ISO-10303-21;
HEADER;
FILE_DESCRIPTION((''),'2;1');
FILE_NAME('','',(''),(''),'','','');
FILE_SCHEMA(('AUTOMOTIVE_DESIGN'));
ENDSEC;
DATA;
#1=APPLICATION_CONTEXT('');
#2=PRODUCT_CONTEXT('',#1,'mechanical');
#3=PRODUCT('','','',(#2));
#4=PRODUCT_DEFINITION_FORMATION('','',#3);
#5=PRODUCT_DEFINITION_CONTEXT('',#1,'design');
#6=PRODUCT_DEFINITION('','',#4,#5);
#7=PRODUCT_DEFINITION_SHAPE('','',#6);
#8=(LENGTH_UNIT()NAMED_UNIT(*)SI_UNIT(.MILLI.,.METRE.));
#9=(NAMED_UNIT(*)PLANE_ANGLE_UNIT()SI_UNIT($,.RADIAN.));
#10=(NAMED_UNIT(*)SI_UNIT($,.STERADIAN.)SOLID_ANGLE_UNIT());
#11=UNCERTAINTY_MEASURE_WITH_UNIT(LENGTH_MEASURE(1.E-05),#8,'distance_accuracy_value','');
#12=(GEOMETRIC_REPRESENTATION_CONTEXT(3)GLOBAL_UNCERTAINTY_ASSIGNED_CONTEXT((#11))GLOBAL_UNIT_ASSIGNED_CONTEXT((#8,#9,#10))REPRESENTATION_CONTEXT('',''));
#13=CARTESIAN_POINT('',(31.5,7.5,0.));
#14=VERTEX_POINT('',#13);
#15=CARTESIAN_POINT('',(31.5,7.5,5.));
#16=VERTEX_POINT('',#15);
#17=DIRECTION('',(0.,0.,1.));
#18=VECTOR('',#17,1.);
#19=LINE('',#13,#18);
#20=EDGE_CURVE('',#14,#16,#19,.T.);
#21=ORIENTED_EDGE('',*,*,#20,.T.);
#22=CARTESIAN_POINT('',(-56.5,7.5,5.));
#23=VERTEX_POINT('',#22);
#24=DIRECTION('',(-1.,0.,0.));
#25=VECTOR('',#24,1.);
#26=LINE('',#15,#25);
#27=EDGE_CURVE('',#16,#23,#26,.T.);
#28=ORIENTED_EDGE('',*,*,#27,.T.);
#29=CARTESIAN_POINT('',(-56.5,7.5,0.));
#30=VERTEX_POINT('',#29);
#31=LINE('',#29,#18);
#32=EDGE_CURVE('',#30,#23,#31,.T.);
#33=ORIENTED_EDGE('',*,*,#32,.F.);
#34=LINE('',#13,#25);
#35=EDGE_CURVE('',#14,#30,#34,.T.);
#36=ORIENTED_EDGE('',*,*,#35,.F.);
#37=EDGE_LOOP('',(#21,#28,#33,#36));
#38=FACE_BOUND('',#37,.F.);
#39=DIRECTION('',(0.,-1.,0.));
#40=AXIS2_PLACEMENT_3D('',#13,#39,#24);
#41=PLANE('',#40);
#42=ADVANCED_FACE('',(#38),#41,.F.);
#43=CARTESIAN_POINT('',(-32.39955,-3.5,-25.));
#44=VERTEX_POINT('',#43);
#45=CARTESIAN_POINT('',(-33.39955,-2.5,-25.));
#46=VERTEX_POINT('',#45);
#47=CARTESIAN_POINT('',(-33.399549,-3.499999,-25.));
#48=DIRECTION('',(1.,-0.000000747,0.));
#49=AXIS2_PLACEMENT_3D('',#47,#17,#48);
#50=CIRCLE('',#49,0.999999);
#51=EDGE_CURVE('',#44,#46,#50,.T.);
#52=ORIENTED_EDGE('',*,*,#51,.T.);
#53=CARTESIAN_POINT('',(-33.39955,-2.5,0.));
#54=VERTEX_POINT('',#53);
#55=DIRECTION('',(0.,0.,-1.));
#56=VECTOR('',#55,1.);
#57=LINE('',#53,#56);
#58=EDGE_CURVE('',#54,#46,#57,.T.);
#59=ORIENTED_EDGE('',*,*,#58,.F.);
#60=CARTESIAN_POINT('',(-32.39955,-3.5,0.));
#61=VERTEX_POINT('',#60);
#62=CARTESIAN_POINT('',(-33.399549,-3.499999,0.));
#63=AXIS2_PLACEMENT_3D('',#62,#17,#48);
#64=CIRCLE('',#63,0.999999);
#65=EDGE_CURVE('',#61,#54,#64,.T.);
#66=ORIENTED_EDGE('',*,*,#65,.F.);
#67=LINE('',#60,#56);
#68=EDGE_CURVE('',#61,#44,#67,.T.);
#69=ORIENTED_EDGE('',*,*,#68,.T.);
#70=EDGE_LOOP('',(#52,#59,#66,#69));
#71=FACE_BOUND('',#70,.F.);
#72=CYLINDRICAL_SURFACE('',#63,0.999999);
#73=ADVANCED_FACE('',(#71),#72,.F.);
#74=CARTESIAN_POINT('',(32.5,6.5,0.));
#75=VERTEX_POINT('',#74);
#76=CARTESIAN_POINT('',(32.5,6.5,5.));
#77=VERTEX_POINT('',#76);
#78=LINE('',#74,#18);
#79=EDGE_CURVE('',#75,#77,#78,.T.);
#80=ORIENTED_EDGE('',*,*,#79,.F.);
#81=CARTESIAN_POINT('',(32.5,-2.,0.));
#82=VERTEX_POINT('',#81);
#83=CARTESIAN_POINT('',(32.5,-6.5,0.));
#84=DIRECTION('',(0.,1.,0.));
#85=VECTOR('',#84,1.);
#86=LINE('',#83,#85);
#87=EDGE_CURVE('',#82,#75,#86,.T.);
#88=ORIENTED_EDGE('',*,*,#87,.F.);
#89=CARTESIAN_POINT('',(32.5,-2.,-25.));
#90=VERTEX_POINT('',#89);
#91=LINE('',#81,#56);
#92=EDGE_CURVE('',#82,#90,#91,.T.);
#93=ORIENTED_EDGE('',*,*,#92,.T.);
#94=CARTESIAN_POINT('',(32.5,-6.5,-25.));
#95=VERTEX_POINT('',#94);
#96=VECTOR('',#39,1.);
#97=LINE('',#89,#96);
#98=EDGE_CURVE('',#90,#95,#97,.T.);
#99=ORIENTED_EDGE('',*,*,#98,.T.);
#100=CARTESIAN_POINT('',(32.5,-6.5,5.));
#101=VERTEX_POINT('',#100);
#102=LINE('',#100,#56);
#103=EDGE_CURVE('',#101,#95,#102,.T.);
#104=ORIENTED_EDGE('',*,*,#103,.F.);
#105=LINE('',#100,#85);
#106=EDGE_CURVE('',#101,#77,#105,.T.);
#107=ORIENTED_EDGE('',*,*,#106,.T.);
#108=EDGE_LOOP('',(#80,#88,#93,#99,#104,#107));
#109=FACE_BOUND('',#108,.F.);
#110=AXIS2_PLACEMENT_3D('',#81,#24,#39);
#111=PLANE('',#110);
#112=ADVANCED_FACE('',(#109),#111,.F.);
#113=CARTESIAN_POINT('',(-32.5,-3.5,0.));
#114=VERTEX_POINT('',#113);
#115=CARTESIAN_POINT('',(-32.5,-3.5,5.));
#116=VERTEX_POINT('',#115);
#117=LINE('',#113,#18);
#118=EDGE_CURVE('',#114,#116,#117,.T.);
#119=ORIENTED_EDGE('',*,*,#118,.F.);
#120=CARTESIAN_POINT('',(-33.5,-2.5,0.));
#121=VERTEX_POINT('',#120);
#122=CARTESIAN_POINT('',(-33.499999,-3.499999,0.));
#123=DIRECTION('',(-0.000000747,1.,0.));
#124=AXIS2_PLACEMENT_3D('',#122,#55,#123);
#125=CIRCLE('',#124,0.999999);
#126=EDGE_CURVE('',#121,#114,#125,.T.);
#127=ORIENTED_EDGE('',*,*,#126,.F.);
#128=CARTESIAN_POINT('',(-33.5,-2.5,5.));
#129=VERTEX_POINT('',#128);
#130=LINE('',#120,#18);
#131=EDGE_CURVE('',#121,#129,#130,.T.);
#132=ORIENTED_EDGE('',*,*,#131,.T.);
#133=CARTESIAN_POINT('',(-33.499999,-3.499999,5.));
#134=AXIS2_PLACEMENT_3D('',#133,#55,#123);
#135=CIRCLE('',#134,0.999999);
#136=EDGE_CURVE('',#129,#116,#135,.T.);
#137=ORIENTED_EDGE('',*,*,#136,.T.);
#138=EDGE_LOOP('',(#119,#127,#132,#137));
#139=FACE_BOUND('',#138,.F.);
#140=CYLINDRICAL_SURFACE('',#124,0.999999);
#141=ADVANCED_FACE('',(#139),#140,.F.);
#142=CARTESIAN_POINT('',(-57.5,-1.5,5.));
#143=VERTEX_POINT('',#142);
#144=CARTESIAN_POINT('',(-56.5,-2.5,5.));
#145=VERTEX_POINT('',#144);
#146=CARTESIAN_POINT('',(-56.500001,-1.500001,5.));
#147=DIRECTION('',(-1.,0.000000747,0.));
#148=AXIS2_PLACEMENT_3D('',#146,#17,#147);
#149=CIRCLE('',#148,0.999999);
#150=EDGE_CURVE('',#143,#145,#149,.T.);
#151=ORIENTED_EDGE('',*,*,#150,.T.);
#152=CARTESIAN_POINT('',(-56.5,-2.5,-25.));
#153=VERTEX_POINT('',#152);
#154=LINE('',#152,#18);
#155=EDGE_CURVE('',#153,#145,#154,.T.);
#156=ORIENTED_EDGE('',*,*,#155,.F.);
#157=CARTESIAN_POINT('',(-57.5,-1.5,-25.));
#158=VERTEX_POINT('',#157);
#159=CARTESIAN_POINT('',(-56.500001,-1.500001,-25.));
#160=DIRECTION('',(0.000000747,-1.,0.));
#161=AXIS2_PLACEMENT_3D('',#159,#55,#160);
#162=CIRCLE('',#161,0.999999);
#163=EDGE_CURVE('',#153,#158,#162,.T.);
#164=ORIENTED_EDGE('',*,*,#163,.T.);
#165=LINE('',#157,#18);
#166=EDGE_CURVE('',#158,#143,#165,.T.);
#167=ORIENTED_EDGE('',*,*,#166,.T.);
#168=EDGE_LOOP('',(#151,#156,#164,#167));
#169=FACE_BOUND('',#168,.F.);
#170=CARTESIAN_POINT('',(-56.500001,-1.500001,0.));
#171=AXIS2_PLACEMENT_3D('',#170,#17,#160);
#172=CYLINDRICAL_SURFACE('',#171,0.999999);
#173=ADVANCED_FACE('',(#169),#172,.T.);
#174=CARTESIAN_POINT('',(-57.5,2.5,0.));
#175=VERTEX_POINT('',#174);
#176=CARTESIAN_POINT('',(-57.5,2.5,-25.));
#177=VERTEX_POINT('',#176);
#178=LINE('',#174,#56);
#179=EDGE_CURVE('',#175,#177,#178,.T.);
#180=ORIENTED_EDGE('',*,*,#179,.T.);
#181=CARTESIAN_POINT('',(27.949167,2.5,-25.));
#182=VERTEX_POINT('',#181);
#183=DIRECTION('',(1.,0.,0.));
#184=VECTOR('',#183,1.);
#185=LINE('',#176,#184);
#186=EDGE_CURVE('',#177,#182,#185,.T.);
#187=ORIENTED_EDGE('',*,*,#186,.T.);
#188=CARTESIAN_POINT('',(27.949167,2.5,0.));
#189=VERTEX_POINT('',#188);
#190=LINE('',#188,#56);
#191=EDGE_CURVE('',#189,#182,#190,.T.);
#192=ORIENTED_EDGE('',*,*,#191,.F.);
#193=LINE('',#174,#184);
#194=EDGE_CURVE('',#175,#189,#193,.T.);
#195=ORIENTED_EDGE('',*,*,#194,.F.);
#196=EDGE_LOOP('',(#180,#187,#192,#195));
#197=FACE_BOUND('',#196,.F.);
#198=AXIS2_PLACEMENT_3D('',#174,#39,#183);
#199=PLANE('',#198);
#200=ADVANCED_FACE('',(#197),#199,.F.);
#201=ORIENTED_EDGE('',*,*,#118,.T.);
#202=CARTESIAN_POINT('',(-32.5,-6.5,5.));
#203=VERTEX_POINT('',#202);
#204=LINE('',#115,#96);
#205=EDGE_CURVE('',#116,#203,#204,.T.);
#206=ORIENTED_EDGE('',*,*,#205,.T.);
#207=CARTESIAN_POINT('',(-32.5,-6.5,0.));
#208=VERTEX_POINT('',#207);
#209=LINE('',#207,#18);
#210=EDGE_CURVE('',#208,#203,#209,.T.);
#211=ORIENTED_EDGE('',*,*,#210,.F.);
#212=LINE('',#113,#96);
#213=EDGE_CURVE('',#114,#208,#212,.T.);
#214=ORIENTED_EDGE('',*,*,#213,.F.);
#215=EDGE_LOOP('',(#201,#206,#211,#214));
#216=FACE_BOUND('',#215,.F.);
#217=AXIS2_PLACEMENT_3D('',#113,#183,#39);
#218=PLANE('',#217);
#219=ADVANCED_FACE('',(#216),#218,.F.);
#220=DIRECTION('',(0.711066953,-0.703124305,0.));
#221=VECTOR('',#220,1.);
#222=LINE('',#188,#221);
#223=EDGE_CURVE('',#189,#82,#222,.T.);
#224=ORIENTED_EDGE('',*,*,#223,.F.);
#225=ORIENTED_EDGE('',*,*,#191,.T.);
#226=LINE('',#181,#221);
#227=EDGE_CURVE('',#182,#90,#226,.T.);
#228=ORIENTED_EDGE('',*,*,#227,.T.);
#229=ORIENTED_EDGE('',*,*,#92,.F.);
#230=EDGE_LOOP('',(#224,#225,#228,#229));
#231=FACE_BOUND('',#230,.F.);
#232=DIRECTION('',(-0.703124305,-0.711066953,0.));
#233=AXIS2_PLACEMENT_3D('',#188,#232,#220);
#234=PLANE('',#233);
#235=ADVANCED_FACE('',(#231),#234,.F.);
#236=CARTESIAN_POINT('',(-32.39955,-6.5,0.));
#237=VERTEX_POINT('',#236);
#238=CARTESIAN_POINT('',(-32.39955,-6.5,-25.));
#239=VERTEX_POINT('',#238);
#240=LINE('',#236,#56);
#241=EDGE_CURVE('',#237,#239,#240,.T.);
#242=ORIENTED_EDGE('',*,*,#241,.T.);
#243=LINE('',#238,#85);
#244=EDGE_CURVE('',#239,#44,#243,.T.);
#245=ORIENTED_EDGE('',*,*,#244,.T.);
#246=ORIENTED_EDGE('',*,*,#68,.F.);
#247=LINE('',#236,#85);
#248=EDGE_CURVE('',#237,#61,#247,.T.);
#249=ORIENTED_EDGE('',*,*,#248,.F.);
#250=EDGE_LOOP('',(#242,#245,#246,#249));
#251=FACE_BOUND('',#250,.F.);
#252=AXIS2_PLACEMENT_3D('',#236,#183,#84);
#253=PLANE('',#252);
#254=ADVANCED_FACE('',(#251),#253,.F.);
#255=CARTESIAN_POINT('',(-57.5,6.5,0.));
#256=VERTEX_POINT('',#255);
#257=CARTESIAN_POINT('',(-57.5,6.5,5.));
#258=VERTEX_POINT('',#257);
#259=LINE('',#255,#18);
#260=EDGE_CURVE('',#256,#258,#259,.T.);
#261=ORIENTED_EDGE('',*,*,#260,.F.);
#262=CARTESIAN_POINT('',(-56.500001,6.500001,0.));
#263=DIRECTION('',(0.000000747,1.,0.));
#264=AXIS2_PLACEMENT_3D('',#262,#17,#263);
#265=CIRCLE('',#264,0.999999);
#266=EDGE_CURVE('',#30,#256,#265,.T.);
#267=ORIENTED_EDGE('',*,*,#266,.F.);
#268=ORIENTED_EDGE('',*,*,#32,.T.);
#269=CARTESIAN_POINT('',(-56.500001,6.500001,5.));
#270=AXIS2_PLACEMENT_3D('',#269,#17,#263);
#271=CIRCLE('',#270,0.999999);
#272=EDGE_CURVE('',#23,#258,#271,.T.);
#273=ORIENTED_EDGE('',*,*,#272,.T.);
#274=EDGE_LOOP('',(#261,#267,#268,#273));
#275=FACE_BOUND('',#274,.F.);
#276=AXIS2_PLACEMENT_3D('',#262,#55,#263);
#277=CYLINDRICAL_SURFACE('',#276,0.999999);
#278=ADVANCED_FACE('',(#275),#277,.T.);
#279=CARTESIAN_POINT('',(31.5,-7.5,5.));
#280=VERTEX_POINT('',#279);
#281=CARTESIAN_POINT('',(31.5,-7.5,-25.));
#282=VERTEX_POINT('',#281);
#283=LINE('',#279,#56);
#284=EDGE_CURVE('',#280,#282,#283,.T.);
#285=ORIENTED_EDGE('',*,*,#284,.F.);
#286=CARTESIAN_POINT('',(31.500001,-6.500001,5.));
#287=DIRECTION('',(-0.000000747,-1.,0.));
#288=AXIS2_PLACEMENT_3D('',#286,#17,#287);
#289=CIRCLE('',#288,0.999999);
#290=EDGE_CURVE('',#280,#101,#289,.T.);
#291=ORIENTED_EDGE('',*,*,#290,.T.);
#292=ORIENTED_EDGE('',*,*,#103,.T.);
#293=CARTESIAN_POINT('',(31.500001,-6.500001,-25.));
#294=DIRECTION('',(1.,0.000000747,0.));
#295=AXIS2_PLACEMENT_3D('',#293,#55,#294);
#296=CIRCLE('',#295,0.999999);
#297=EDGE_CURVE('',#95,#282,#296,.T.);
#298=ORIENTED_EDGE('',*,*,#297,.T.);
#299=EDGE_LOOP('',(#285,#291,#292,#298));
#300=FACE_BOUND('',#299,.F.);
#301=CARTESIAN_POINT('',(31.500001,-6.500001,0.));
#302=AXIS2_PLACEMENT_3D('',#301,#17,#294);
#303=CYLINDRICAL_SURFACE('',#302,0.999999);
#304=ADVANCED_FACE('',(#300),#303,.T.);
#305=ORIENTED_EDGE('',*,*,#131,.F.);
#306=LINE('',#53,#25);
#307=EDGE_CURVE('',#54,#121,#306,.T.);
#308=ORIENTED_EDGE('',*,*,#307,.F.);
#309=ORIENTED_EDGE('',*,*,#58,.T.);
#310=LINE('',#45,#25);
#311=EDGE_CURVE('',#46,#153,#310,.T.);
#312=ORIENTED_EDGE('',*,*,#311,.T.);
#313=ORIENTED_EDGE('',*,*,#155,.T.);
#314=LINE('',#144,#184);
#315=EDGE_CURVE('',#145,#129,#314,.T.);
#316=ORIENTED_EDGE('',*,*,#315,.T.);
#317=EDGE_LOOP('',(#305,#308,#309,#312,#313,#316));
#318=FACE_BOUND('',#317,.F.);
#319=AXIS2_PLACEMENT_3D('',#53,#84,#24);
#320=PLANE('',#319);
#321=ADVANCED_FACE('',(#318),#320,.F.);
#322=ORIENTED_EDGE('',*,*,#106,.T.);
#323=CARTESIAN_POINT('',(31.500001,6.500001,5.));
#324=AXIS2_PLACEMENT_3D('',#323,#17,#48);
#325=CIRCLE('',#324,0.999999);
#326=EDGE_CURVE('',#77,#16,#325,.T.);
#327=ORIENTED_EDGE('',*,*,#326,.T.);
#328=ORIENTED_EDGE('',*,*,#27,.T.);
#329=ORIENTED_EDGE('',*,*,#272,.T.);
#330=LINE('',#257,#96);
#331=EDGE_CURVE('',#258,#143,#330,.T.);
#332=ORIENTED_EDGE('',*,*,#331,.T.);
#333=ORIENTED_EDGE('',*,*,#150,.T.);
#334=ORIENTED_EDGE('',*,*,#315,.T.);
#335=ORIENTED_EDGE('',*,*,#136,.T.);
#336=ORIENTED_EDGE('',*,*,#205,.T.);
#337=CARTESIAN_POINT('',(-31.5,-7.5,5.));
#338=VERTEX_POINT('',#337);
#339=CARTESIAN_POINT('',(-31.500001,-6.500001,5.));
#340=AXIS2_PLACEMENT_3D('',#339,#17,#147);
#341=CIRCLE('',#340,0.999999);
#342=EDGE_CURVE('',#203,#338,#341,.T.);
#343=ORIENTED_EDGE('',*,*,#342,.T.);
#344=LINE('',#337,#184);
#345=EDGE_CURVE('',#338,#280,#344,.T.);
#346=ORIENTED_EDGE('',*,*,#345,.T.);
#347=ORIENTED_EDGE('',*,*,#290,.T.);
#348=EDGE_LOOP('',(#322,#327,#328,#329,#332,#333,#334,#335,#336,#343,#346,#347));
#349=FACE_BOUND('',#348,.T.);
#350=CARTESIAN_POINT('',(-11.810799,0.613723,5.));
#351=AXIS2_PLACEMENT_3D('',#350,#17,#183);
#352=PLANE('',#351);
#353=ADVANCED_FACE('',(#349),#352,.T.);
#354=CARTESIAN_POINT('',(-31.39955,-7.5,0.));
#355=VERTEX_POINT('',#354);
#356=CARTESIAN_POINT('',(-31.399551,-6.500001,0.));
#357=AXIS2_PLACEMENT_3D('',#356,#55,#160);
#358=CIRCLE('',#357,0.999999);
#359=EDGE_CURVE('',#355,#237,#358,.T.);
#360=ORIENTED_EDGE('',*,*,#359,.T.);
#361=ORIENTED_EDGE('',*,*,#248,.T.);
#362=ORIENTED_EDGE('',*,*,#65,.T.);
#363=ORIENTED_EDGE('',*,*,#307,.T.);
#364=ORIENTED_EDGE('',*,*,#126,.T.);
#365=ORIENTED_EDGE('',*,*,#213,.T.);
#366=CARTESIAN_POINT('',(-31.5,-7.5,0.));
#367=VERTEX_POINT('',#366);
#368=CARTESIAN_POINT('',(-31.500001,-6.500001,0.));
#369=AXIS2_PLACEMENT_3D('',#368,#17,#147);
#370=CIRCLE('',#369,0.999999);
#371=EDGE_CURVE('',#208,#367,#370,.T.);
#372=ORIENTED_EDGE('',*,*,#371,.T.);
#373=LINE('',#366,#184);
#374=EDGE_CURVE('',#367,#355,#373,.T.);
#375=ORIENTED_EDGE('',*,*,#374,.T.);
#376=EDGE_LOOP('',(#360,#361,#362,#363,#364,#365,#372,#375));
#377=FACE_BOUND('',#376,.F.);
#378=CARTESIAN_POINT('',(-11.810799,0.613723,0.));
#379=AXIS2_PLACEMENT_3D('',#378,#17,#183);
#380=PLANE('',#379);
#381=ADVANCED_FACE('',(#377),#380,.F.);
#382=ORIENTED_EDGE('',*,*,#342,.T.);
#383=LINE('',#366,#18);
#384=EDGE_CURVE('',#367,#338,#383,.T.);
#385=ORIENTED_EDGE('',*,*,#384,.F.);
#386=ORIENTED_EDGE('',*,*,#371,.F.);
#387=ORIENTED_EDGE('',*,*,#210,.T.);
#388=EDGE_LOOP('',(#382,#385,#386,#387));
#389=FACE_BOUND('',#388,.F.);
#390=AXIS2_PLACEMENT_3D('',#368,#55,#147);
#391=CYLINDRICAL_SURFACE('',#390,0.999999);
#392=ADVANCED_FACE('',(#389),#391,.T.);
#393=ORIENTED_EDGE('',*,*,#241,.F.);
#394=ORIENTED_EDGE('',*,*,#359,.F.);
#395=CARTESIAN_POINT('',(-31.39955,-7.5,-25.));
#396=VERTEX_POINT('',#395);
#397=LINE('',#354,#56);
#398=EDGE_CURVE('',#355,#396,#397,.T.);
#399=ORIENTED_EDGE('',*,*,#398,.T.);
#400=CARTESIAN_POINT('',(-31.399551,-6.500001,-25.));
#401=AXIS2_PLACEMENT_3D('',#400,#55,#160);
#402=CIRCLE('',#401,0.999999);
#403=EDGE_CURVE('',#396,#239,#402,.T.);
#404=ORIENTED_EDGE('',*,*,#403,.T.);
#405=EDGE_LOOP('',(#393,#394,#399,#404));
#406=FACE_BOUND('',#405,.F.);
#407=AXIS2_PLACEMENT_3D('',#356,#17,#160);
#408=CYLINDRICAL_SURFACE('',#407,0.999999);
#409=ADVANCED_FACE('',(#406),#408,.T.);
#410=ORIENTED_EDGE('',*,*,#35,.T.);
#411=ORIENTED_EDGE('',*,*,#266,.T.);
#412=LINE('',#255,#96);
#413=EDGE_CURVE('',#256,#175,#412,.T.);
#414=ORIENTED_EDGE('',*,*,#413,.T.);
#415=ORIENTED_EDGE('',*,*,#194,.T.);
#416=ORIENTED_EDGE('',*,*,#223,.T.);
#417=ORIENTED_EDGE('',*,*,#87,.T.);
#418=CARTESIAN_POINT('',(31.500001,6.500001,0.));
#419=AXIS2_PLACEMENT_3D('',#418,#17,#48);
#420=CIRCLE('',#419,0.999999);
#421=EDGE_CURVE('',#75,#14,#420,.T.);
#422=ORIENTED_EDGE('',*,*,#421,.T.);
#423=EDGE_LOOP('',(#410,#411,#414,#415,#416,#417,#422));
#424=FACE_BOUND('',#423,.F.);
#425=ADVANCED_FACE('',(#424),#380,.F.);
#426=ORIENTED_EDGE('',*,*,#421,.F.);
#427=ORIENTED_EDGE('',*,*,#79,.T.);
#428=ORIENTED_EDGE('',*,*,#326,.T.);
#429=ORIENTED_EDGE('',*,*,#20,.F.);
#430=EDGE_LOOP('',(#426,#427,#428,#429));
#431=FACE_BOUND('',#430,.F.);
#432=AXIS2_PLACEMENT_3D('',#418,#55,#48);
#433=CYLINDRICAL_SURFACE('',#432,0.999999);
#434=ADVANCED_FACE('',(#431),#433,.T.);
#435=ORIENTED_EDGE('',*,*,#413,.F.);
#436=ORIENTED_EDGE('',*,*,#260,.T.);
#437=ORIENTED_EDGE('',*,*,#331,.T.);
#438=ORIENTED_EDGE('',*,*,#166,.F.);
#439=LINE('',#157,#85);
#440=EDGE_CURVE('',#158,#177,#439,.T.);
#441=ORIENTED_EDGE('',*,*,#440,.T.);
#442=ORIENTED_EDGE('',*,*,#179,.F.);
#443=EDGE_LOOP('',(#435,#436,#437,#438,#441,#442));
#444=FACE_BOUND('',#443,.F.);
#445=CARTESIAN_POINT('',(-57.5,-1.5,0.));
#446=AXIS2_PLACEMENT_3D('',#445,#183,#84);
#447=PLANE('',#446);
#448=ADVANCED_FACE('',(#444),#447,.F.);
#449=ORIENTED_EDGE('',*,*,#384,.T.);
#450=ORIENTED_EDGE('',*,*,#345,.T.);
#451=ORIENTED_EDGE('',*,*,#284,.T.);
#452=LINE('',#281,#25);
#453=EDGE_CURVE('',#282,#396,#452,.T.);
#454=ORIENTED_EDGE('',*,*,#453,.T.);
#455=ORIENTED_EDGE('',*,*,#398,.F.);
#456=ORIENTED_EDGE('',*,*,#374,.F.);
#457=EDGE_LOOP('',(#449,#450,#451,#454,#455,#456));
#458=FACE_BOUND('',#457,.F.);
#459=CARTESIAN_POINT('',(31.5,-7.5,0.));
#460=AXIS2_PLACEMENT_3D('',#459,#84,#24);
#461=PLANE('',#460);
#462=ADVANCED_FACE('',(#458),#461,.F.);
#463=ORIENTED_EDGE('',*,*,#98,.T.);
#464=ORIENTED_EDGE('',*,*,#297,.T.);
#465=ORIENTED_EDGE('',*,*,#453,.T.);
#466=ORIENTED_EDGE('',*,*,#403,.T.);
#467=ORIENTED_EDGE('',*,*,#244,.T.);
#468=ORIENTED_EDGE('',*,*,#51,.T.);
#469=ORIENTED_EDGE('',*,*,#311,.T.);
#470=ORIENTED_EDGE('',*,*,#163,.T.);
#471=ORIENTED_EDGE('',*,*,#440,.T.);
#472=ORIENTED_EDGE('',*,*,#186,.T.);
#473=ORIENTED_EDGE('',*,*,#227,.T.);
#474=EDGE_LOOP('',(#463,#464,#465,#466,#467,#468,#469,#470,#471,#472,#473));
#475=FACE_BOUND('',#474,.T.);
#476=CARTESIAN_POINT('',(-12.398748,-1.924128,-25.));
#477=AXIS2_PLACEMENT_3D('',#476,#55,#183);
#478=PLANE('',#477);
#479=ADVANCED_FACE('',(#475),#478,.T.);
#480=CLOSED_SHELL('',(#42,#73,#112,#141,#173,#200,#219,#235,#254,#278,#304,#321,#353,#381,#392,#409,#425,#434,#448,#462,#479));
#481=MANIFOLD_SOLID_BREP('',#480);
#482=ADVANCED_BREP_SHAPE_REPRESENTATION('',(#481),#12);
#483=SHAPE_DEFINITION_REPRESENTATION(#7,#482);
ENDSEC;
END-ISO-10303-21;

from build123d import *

# Parameters (mm, degrees)
F1_DEPTH = 5
F3_DEPTH = 25


with BuildPart() as f1:
    # F0 (on Top) → F1 (new body)
    with BuildSketch(Plane.XY):
        with BuildLine():
            ThreePointArc((-32.5, -6.5), (-32.207107, -7.207107), (-31.5, -7.5))
            Line((-31.5, -7.5), (31.5, -7.5))
            ThreePointArc((31.5, -7.5), (32.207107, -7.207107), (32.5, -6.5))
            Line((32.5, -6.5), (32.5, 6.5))
            ThreePointArc((32.5, 6.5), (32.207107, 7.207107), (31.5, 7.5))
            Line((31.5, 7.5), (-32.5, 7.5))
            Line((-32.5, 7.5), (-56.5, 7.5))
            ThreePointArc((-56.5, 7.5), (-57.207107, 7.207107), (-57.5, 6.5))
            Line((-57.5, 6.5), (-57.5, -1.5))
            ThreePointArc((-57.5, -1.5), (-57.207107, -2.207107), (-56.5, -2.5))
            Line((-56.5, -2.5), (-33.5, -2.5))
            ThreePointArc((-33.5, -2.5), (-32.792893, -2.792893), (-32.5, -3.5))
            Line((-32.5, -3.5), (-32.5, -6.5))
        make_face()
    extrude(amount=F1_DEPTH)

    # F2 (on face) → F3 (join)
    with BuildSketch(Plane(origin=(0, 0, 0), x_dir=(1, 0, 0), z_dir=(0, 0, -1))):
        with BuildLine():
            Line((-57.5, 1.5), (-57.5, -2.5))
            Line((-57.5, -2.5), (27.949167, -2.5))
            Line((27.949167, -2.5), (32.5, 2))
            Line((32.5, 2), (32.5, 6.5))
            ThreePointArc((32.5, 6.5), (32.207107, 7.207107), (31.5, 7.5))
            Line((31.5, 7.5), (-31.39955, 7.5))
            ThreePointArc((-31.39955, 7.5), (-32.106657, 7.207107), (-32.39955, 6.5))
            Line((-32.39955, 6.5), (-32.39955, 3.5))
            ThreePointArc((-32.39955, 3.5), (-32.692443, 2.792893), (-33.39955, 2.5))
            Line((-33.39955, 2.5), (-33.5, 2.5))
            Line((-33.5, 2.5), (-56.5, 2.5))
            ThreePointArc((-56.5, 2.5), (-57.207107, 2.207107), (-57.5, 1.5))
        make_face()
    extrude(amount=F3_DEPTH)


solid = f1.part
